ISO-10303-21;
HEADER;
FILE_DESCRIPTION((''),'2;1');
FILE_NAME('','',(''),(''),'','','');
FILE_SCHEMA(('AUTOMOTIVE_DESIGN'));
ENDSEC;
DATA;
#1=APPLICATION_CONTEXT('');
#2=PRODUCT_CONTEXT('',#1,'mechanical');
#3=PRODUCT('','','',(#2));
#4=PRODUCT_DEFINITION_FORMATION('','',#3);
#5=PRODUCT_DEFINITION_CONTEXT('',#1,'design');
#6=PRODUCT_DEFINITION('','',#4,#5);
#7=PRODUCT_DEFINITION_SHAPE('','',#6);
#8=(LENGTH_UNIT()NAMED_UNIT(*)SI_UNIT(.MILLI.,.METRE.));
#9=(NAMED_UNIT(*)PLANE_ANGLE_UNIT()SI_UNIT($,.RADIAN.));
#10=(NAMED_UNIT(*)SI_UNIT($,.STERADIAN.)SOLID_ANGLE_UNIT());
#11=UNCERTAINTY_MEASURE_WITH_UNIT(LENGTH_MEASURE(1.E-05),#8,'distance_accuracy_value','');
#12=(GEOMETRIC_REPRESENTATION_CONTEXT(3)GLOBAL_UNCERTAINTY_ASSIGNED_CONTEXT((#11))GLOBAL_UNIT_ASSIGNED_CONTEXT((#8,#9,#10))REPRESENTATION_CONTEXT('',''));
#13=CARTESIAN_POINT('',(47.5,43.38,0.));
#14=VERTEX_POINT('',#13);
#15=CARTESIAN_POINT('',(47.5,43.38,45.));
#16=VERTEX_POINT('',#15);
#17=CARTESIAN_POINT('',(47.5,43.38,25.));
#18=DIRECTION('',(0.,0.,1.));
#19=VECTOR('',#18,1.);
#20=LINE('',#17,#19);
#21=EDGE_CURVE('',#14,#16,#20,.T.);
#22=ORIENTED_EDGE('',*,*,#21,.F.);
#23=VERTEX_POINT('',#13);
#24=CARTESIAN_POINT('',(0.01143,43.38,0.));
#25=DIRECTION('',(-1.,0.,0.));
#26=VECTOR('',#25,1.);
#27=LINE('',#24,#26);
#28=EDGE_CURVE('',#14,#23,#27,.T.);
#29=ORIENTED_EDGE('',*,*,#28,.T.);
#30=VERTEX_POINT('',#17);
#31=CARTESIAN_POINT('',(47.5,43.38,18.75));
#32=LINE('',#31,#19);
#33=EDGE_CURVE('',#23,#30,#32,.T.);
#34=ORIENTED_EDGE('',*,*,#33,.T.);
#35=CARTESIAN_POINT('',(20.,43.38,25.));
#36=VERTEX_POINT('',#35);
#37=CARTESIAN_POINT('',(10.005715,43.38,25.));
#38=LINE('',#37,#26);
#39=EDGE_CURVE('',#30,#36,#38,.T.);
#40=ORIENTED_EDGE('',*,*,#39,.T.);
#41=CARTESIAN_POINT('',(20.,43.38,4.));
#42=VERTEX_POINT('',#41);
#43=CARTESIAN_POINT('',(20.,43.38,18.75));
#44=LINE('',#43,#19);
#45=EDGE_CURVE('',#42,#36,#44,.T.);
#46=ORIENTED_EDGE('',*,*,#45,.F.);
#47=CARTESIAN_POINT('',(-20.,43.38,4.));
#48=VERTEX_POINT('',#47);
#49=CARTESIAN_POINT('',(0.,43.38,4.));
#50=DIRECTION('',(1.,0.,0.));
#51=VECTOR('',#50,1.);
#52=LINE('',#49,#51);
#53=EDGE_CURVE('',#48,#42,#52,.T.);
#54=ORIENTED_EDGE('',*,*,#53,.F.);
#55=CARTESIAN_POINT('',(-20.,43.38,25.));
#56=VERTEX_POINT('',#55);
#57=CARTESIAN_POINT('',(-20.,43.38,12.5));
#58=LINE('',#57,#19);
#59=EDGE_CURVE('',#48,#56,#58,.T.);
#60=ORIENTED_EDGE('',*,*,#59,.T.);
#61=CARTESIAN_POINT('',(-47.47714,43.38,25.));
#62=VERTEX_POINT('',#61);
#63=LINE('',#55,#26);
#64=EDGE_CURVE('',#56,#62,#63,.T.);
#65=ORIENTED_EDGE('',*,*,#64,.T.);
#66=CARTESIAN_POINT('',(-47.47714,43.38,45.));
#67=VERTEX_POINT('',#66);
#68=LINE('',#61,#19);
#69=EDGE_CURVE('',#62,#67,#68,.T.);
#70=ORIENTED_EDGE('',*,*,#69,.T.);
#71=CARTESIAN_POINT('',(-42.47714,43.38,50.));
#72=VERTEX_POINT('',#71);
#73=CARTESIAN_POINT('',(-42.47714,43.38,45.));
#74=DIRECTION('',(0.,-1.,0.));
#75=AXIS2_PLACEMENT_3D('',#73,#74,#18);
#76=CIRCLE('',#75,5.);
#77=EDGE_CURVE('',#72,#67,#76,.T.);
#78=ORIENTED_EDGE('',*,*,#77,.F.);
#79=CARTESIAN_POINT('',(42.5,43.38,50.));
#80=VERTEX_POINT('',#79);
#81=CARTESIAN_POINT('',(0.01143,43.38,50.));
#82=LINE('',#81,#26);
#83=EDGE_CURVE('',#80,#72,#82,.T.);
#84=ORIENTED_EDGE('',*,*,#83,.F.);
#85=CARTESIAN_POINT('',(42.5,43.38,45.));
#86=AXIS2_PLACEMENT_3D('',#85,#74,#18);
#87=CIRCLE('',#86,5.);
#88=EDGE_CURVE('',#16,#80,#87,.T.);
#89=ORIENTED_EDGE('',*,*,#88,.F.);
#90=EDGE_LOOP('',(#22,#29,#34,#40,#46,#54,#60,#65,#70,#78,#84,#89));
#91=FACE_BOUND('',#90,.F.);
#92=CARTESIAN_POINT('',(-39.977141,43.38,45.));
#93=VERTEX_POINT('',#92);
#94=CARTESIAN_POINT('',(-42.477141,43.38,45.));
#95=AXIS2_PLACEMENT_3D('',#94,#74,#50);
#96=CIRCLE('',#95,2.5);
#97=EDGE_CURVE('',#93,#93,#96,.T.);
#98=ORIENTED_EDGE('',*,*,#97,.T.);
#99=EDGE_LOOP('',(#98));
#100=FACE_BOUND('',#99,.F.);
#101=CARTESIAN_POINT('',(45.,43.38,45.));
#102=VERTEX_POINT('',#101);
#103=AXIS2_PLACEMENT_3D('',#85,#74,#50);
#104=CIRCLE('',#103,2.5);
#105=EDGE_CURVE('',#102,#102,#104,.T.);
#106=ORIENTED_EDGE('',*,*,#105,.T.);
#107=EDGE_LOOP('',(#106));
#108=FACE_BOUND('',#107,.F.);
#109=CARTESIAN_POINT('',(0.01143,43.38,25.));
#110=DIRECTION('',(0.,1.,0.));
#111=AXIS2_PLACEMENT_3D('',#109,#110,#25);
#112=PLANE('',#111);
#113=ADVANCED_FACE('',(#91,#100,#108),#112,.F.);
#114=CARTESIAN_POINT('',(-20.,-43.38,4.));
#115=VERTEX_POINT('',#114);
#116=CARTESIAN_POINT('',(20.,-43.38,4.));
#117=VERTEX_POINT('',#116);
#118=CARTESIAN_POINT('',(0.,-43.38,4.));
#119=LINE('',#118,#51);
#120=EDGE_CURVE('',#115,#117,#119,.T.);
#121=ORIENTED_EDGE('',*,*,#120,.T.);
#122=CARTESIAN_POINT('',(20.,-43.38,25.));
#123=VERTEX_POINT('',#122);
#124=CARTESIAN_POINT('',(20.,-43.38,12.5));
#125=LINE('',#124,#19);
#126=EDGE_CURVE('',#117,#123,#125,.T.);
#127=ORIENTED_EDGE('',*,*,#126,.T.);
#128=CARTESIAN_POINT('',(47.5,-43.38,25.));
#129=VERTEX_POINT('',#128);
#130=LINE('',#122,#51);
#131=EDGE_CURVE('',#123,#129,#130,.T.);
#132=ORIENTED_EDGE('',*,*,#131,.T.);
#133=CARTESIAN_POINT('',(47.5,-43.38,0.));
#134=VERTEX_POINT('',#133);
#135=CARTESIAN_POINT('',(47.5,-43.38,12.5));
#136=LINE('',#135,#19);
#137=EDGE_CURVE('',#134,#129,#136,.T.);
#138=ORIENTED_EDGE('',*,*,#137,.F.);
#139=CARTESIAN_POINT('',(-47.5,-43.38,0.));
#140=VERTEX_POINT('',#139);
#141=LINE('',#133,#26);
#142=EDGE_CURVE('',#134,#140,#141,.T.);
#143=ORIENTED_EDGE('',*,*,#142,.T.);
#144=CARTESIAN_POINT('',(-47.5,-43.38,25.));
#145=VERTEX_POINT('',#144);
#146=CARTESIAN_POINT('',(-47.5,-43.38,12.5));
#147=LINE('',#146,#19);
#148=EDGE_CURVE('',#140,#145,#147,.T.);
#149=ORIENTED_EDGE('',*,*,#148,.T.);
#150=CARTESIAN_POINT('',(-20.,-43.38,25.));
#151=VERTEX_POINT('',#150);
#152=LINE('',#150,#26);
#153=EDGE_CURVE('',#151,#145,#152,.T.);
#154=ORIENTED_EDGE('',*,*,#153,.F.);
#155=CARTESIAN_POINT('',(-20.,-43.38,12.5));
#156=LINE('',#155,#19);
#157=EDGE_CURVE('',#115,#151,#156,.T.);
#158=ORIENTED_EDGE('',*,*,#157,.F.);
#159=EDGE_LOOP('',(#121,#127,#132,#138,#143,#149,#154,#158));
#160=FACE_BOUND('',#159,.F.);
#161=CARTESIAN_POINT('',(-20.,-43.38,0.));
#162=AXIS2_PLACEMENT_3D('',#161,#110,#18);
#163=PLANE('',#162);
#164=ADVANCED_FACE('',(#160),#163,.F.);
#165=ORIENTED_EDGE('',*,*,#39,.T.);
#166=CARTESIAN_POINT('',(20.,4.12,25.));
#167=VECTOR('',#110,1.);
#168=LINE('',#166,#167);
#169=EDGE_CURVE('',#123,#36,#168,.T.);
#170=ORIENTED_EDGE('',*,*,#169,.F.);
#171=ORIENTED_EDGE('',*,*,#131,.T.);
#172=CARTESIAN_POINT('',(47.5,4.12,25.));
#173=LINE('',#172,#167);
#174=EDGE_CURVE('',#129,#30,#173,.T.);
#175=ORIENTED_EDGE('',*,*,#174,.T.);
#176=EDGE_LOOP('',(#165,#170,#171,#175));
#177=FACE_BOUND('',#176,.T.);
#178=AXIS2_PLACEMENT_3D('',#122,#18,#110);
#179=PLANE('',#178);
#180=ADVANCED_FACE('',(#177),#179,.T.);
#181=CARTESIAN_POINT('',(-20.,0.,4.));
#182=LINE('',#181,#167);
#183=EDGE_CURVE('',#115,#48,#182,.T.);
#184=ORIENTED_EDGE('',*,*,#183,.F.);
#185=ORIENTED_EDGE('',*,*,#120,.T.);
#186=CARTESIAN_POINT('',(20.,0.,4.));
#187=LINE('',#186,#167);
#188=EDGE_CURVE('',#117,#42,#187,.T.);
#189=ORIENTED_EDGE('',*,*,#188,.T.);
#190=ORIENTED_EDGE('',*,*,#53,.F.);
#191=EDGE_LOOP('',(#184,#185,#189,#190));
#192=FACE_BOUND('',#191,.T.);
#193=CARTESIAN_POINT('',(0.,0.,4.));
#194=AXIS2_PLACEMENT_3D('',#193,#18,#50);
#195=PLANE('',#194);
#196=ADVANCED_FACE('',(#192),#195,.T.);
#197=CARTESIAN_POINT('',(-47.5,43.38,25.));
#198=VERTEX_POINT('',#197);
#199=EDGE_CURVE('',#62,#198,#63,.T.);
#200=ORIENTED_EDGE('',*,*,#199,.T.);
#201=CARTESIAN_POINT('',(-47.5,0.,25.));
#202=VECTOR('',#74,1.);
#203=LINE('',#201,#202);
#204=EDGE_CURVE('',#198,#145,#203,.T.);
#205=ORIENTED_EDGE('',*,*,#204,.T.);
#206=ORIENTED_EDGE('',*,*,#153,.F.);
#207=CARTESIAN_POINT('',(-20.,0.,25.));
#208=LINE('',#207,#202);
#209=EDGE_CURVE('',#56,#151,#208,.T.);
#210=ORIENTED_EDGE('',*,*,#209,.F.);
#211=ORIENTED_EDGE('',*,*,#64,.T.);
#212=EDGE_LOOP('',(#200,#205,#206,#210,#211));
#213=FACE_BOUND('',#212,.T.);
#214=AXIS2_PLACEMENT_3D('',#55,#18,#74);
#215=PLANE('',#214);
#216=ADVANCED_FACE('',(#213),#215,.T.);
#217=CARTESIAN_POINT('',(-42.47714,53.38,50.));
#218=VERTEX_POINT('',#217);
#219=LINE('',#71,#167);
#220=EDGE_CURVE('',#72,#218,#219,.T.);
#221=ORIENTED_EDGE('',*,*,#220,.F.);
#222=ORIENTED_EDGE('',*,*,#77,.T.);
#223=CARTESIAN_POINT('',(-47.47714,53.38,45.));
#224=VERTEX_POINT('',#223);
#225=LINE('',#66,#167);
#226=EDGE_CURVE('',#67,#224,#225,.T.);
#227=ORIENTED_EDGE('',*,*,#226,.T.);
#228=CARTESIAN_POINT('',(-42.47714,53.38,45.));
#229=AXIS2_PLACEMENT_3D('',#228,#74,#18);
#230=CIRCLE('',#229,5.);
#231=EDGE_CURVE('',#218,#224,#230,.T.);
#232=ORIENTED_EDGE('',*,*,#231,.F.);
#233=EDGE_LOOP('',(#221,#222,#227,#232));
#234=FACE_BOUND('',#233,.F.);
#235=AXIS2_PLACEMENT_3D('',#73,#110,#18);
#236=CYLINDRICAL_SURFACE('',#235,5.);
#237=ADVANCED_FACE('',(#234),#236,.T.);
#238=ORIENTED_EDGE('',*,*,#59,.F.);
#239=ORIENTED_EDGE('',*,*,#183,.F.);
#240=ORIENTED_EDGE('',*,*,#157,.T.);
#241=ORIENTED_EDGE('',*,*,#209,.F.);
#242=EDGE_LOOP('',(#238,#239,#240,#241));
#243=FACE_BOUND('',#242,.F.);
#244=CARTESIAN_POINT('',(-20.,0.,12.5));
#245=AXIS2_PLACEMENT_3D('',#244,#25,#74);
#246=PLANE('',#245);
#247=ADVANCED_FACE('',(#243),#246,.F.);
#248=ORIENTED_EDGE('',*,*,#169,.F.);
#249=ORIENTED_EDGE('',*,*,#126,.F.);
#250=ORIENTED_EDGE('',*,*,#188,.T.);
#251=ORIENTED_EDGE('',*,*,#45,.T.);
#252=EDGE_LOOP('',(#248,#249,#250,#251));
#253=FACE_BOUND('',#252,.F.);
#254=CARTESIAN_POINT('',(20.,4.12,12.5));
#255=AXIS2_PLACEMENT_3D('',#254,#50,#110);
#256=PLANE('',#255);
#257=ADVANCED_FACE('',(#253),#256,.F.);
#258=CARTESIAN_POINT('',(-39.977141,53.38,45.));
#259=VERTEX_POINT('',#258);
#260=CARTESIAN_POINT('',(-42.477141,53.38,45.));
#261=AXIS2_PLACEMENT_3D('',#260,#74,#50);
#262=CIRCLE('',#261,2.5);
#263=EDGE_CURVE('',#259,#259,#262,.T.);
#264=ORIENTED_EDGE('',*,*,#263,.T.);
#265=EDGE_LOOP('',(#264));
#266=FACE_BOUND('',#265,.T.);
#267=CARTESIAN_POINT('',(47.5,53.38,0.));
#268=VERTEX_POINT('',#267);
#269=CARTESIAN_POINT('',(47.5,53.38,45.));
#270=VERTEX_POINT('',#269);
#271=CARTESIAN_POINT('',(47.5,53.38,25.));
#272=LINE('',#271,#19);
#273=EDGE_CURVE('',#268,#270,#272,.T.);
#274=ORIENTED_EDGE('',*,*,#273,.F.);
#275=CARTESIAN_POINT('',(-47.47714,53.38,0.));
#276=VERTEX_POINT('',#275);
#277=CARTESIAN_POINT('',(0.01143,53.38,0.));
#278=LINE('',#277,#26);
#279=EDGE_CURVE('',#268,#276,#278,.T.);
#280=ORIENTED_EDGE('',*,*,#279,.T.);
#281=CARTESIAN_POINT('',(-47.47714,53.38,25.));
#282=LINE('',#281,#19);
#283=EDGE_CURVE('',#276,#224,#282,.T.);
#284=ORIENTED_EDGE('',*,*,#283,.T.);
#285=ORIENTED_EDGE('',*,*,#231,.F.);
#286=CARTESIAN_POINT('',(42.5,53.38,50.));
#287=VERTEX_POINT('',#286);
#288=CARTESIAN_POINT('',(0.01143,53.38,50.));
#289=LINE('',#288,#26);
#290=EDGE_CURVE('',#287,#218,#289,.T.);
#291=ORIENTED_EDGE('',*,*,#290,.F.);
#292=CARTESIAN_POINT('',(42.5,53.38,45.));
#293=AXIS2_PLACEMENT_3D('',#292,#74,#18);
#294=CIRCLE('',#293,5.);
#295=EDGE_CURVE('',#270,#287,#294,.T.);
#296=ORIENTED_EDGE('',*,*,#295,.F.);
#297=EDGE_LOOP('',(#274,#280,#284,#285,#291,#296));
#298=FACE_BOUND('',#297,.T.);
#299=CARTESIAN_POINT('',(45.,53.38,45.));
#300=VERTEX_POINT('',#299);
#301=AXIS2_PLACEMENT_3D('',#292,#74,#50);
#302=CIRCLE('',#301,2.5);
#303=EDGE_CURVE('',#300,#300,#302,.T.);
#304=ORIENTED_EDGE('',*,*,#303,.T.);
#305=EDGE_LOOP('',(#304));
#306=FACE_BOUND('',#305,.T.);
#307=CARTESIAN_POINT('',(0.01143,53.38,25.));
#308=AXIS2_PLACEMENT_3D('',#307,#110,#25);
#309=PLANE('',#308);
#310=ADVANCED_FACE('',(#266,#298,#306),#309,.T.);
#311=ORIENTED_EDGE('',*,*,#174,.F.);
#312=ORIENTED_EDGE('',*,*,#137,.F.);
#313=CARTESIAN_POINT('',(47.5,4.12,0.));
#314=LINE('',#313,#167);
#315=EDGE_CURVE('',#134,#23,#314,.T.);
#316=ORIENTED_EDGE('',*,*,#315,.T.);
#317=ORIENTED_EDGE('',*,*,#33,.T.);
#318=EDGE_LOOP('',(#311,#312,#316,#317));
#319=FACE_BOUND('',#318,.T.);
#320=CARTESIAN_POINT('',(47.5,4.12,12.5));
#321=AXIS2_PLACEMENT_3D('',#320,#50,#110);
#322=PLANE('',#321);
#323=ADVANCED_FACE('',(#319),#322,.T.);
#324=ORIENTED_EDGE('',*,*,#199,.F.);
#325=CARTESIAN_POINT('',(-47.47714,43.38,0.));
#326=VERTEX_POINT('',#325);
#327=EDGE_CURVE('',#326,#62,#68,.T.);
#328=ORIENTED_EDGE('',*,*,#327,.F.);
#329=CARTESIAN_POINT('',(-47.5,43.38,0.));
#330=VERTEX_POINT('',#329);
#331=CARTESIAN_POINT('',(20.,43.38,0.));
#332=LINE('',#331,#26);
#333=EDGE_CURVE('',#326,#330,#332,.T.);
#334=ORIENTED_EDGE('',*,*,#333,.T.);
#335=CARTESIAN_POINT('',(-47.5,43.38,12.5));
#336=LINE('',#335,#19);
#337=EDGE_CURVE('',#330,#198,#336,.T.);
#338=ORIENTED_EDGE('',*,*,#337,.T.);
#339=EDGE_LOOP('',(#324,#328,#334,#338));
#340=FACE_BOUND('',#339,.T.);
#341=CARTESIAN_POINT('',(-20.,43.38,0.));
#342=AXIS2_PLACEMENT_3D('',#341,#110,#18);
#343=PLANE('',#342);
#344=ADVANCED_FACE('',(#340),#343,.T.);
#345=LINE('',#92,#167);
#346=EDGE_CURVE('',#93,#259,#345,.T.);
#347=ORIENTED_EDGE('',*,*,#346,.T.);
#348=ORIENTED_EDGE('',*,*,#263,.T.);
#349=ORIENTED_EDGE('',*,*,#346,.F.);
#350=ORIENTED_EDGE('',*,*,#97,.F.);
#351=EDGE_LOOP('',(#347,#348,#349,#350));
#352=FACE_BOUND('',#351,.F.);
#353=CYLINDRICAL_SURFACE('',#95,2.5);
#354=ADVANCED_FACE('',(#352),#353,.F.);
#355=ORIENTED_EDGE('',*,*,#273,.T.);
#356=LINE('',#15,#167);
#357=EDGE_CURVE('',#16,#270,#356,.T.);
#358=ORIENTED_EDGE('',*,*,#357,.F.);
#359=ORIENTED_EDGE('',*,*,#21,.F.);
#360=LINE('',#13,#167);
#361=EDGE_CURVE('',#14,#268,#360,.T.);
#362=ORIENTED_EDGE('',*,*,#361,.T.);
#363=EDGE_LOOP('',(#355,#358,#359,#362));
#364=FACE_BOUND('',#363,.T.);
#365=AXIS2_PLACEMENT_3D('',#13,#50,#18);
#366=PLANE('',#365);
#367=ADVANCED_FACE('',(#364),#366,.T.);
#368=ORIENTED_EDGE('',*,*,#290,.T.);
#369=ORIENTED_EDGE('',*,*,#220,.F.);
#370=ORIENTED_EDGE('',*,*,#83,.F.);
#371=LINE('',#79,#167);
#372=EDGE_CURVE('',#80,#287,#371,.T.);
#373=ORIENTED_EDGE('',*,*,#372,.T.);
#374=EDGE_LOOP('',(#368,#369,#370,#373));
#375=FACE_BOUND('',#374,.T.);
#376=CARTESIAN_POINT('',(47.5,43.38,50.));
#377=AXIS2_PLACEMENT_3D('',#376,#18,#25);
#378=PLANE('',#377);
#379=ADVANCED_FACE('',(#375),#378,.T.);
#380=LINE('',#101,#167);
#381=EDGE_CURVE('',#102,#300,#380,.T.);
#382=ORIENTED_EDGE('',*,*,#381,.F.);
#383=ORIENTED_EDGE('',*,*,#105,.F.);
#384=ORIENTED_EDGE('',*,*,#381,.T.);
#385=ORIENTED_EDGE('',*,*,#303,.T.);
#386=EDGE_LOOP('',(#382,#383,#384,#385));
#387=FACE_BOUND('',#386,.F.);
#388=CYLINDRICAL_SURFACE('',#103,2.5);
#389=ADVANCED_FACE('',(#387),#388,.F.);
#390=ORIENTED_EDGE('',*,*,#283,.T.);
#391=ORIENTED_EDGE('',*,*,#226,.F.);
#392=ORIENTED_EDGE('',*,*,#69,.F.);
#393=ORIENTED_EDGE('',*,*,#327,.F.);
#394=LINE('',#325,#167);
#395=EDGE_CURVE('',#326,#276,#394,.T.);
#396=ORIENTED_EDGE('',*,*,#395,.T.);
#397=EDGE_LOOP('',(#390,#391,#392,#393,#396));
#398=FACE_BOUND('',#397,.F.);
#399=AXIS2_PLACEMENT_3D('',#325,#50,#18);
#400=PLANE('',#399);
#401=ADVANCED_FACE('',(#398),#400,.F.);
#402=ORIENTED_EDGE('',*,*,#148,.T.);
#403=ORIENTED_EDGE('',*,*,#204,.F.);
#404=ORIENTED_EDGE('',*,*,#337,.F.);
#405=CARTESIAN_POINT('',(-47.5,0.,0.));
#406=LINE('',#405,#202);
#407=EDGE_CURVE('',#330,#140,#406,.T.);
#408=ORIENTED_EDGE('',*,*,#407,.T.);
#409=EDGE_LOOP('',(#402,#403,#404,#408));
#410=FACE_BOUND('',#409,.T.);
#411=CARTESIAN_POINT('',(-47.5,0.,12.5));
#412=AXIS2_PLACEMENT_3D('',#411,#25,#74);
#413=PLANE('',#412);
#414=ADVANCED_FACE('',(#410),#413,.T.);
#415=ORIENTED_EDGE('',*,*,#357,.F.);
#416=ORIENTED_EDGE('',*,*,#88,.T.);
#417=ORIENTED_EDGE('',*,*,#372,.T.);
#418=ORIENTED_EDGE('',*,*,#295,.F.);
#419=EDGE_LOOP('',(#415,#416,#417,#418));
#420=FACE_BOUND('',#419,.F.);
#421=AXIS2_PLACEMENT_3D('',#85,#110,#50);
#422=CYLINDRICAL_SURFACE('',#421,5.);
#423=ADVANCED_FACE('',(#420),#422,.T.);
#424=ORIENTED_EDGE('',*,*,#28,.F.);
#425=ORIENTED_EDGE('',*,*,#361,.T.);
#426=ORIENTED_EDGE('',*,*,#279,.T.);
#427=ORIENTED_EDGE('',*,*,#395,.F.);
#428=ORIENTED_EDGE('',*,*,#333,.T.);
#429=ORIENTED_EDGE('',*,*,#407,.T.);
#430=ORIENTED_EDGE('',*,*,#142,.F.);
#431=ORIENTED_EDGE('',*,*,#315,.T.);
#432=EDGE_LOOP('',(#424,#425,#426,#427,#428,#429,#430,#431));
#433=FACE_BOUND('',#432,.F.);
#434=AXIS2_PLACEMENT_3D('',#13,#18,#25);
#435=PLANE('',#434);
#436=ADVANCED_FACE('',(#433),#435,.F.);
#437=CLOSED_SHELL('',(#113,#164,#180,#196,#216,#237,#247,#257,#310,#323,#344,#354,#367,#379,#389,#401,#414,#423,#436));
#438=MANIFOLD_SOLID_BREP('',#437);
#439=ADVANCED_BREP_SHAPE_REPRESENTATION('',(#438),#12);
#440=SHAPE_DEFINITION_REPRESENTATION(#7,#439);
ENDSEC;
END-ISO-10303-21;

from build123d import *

# Parameters (mm, degrees)
F0_W      = 40
F0_H      = 86.76
F1_DEPTH  = 4
F2_W      = 95
F2_H      = 25
F3_DEPTH  = 27.5
F4_W      = 86.76
F4_H      = 25
F5_DEPTH  = 27.5
F6_W      = 94.977141
F6_H      = 50
F7_DEPTH  = 10
F8_R      = 5
F9_R      = 5
F10_R     = 2.5
F11_DEPTH = 10.001


with BuildPart() as f1:
    # F0 (on Top) → F1 (new body)
    with BuildSketch(Plane.XY):
        Rectangle(F0_W, F0_H)
    extrude(amount=F1_DEPTH)

    # F2 (on face) → F3 (join)
    with BuildSketch(Plane.YZ.offset(20)):
        with Locations((4.12, 12.5)):
            Rectangle(F2_W, F2_H)
    extrude(amount=F3_DEPTH)

    # F4 (on face) → F5 (join)
    with BuildSketch(Plane(origin=(-20, 0, 0), x_dir=(0, -1, 0), z_dir=(-1, 0, 0))):
        with Locations((0, 12.5)):
            Rectangle(F4_W, F4_H)
    extrude(amount=F5_DEPTH)

    # F6 (on face) → F7 (join)
    with BuildSketch(Plane(origin=(0, 43.38, 0), x_dir=(-1, 0, 0), z_dir=(0, 1, 0))):
        with Locations((-0.01143, 25)):
            Rectangle(F6_W, F6_H)
    extrude(amount=F7_DEPTH)

    # F8
    f8_edges = [f1.edges().sort_by_distance(p)[0] for p in [
        (47.5, 48.38, 50),
    ]]
    fillet(f8_edges, radius=F8_R)

    # F9
    f9_edges = [f1.edges().sort_by_distance(p)[0] for p in [
        (-47.477141, 48.38, 50),
    ]]
    fillet(f9_edges, radius=F9_R)

    # F10 (on face) → F11 (cut, through all)
    with BuildSketch(Plane.XZ.offset(-43.38)):
        with Locations((-42.477141, 45)):
            Circle(F10_R)
        with Locations((42.5, 45)):
            Circle(F10_R)
    extrude(amount=-F11_DEPTH, mode=Mode.SUBTRACT)


solid = f1.part
